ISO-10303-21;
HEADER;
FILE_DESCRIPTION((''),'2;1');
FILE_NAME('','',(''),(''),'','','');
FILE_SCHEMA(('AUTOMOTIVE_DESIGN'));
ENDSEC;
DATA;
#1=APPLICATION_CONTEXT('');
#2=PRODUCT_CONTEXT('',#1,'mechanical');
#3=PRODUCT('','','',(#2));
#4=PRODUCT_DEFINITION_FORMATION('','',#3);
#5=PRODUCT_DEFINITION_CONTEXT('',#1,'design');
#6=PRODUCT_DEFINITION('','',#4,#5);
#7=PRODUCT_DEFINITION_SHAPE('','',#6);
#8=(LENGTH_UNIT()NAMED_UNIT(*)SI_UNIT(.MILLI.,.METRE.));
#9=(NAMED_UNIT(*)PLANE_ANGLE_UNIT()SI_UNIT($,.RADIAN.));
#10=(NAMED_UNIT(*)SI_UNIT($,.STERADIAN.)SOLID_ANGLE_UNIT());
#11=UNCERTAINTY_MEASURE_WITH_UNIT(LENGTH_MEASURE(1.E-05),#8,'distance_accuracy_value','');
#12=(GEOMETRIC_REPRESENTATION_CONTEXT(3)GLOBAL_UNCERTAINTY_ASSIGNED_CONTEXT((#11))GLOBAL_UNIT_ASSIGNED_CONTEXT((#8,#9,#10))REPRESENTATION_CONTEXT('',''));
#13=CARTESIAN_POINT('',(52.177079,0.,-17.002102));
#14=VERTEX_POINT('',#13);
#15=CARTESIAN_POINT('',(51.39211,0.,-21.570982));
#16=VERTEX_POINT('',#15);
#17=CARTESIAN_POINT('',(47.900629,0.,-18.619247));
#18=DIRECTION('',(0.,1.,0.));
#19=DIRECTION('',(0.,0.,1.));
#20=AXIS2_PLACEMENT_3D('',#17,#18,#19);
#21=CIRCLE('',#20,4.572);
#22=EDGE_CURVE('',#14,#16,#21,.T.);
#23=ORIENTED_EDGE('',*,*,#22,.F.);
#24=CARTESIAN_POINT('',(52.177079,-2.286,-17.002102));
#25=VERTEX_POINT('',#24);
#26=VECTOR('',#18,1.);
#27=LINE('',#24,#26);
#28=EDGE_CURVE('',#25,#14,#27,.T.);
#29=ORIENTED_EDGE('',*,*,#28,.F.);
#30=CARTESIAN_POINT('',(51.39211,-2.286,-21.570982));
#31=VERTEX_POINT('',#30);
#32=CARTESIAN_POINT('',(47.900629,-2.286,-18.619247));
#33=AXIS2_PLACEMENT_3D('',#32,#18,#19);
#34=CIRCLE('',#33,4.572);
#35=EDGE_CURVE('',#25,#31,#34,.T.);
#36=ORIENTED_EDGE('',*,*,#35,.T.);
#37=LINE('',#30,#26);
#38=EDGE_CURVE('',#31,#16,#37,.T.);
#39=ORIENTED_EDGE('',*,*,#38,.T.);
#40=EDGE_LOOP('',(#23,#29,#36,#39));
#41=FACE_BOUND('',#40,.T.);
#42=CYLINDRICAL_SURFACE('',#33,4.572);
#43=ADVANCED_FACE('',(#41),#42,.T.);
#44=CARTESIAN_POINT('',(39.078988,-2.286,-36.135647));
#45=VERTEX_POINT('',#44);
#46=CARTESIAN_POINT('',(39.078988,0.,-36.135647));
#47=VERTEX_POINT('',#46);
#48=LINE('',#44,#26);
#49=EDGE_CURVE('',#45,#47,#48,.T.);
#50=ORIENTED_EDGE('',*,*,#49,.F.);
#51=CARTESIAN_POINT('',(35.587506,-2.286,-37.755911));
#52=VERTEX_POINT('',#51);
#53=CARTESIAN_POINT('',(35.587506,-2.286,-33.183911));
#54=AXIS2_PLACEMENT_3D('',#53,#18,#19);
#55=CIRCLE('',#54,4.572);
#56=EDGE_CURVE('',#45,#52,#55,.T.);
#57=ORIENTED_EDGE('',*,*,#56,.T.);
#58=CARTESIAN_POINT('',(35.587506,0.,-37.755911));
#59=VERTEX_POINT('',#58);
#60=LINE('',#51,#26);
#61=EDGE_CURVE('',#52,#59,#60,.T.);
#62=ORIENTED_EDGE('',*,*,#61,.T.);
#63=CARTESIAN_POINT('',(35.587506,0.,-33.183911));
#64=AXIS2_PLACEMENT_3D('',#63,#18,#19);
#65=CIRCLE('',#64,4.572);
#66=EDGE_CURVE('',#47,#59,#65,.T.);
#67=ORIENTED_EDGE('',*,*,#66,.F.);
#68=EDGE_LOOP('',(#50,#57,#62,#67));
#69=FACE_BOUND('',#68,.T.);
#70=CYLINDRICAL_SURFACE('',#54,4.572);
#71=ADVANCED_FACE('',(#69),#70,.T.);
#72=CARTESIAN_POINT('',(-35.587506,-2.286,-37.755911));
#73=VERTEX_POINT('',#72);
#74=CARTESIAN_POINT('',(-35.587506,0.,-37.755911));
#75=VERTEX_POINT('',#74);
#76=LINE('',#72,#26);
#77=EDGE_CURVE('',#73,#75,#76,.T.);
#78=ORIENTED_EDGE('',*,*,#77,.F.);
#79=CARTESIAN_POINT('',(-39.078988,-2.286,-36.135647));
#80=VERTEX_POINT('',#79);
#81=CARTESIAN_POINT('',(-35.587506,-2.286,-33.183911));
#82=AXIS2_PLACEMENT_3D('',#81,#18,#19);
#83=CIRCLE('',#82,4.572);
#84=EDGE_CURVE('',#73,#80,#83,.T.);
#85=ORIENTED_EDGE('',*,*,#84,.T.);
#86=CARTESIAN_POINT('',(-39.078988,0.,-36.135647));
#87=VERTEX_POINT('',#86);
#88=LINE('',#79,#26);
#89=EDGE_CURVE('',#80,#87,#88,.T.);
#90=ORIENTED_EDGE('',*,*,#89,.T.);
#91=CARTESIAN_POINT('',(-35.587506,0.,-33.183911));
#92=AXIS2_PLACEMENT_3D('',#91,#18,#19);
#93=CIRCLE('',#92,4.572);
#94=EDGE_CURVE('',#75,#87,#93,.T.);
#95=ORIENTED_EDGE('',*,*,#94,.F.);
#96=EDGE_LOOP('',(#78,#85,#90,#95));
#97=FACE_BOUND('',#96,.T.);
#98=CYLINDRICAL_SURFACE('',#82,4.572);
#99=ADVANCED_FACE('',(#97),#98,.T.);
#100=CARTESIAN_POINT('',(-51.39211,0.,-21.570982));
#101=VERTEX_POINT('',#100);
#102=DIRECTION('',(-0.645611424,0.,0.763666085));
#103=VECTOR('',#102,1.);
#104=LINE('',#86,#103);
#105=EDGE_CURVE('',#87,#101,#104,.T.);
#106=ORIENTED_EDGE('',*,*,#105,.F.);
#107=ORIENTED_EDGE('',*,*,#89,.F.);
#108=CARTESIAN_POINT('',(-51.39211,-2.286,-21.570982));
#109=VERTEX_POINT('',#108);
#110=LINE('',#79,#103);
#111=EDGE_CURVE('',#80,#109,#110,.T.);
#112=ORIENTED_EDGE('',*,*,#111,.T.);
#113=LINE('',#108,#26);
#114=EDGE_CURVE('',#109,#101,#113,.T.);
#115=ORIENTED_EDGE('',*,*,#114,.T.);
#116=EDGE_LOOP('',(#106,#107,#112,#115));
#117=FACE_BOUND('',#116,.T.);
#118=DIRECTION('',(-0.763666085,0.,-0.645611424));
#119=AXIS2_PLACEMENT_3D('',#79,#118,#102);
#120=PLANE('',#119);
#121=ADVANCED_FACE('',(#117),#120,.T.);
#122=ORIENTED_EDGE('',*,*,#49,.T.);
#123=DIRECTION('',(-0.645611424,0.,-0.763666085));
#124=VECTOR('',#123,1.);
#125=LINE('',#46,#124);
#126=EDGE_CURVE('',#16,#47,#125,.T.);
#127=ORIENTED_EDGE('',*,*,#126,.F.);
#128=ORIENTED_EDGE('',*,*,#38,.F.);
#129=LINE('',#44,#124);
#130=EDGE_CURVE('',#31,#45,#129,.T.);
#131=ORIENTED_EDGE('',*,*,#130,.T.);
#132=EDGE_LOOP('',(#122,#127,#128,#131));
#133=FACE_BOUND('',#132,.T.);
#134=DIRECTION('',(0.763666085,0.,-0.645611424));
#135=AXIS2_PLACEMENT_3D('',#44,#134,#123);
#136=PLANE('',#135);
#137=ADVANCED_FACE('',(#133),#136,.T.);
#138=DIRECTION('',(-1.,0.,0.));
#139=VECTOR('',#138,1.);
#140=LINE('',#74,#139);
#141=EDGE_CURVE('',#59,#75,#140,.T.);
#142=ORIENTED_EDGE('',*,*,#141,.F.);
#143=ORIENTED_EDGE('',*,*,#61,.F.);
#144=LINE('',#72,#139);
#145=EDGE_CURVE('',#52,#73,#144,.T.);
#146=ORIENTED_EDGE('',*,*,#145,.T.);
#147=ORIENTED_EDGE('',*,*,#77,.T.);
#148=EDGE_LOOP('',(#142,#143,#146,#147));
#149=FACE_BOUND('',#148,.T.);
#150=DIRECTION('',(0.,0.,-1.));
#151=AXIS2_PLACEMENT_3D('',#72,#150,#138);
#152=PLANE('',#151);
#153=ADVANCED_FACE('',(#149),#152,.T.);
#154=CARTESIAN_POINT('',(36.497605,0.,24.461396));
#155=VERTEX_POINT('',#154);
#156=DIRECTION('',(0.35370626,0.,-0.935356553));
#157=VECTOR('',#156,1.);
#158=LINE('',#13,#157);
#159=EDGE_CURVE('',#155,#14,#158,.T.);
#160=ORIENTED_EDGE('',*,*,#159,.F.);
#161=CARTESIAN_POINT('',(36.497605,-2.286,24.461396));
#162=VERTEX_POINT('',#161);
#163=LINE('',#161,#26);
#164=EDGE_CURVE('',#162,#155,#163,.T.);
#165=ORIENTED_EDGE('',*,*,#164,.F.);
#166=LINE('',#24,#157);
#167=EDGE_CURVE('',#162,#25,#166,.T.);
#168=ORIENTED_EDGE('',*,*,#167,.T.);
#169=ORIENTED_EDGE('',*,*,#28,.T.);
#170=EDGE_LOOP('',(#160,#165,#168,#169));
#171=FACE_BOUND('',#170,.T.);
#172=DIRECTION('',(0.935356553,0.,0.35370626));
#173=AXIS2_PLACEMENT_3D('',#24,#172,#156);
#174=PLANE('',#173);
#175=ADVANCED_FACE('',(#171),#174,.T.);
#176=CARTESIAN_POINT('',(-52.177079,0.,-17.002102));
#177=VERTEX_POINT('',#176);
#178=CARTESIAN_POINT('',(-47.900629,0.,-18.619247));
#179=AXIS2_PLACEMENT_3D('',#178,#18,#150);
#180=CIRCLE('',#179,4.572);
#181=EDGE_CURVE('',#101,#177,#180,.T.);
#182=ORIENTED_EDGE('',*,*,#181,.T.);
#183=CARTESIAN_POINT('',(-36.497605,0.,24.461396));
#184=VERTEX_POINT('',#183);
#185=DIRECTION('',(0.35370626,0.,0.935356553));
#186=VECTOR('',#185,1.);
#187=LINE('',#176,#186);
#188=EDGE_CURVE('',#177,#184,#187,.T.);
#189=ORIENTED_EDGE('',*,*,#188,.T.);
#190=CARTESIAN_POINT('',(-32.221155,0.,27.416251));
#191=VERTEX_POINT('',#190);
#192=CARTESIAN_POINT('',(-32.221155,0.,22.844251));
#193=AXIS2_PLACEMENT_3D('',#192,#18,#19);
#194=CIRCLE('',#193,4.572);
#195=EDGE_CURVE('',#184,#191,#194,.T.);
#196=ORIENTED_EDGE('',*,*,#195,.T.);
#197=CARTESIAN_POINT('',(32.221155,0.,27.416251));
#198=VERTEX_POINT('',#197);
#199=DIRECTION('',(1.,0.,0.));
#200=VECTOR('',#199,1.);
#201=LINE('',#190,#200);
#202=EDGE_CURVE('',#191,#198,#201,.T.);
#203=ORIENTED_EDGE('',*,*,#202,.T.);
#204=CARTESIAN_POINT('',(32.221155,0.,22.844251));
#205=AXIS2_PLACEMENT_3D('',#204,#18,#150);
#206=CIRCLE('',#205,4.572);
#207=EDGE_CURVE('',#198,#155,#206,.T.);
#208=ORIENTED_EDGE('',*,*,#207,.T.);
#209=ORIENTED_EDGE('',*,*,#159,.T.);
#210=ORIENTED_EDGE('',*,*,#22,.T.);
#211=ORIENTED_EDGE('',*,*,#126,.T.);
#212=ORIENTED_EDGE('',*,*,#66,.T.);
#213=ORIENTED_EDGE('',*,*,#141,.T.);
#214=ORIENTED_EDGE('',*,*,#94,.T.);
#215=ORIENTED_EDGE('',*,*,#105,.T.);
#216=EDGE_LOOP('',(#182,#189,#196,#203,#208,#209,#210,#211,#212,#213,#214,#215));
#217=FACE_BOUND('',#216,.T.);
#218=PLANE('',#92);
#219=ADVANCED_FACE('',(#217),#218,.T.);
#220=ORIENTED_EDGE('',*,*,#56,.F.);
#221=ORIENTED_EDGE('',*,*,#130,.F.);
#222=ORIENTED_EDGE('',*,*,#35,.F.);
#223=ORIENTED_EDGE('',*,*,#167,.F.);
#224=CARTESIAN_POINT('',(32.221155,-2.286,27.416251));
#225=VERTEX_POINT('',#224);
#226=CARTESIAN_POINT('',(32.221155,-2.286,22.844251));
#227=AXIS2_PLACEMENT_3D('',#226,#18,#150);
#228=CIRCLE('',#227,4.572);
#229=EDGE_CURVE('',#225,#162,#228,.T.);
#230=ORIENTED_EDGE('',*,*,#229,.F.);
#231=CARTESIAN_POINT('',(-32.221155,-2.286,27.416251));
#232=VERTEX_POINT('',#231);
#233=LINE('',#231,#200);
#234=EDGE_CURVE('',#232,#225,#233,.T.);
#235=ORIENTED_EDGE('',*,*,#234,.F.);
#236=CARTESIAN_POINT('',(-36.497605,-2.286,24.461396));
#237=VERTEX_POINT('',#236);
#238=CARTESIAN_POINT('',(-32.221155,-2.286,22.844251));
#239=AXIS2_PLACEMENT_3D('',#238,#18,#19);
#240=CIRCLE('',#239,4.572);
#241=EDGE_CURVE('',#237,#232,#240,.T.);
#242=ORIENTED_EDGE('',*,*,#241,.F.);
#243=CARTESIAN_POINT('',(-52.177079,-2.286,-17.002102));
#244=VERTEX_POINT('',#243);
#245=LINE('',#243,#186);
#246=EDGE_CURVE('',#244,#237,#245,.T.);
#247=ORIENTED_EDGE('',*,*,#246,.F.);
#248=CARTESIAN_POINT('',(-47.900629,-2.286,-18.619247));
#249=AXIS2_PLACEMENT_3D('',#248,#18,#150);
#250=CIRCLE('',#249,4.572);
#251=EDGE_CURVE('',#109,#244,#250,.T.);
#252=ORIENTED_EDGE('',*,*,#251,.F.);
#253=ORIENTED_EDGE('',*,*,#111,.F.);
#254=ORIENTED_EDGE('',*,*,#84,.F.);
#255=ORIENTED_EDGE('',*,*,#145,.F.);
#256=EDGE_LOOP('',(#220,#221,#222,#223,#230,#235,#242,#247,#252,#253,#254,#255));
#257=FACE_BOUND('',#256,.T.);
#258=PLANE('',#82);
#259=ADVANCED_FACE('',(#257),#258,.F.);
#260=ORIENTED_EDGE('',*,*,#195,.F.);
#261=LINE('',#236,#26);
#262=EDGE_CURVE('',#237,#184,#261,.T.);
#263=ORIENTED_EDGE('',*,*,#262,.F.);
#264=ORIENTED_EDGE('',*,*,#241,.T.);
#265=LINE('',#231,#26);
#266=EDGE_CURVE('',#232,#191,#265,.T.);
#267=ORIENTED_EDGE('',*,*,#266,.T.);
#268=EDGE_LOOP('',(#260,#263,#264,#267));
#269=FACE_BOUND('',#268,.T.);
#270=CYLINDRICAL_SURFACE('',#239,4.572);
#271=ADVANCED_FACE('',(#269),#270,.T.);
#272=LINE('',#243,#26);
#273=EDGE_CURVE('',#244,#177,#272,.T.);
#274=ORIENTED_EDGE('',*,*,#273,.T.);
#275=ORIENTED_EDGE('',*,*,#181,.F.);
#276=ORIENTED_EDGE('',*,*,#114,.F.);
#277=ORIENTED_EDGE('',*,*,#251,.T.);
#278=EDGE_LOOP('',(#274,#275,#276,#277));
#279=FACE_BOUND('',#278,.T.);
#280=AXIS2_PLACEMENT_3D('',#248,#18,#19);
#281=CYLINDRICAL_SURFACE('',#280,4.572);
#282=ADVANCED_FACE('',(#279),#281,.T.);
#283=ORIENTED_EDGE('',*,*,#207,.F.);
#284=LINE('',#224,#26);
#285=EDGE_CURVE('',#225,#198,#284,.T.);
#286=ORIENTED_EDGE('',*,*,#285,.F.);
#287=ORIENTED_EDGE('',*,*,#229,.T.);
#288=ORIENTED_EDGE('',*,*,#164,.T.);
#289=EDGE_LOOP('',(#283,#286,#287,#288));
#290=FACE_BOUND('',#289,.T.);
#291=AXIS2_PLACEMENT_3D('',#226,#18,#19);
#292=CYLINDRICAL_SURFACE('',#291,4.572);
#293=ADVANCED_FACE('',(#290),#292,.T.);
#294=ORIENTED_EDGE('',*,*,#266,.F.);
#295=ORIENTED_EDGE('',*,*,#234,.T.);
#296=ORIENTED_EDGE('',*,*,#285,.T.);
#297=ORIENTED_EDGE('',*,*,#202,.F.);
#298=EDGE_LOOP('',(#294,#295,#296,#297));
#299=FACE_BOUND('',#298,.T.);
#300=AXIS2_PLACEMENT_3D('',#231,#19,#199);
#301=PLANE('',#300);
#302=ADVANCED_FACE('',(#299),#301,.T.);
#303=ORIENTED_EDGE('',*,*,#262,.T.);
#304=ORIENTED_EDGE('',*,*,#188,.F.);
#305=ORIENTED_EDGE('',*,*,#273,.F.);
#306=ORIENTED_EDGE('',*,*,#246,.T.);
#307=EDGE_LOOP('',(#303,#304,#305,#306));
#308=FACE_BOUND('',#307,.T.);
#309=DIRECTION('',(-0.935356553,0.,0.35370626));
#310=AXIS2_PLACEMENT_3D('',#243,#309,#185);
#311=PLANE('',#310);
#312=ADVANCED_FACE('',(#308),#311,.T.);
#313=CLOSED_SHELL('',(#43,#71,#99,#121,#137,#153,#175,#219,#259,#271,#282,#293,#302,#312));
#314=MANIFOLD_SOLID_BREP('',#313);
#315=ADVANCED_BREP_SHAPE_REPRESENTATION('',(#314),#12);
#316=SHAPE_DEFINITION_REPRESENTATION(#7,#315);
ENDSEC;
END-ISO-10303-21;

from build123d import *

# Parameters (mm, degrees)
EXTRUDE1_DEPTH = 2.286


with BuildPart() as part:
    # Sketch1 → Extrude1 (new body)
    with BuildSketch(Plane(origin=(0, 0, 0), x_dir=(1, 0, 0), z_dir=(0, 1, 0))):
        with BuildLine():
            Line((-35.587506478, 37.75591133), (35.587506478, 37.75591133))
            ThreePointArc((35.587506478, 37.75591133), (37.512064818, 37.331110288), (39.078987817, 36.135646762))
            Line((39.078987817, 36.135646762), (51.39211015, 21.570982059))
            ThreePointArc((51.39211015, 21.570982059), (52.406608959, 19.393408694), (52.177078973, 17.002101608))
            Line((52.177078973, 17.002101608), (36.497605157, -24.461395817))
            ThreePointArc((36.497605157, -24.461395817), (34.820154512, -26.605684768), (32.221154995, -27.416250797))
            Line((32.221154995, -27.416250797), (-32.221154995, -27.416250797))
            ThreePointArc((-32.221154995, -27.416250797), (-34.820154512, -26.605684768), (-36.497605157, -24.461395817))
            Line((-36.497605157, -24.461395817), (-52.177078973, 17.002101608))
            ThreePointArc((-52.177078973, 17.002101608), (-52.406608959, 19.393408694), (-51.39211015, 21.570982059))
            Line((-51.39211015, 21.570982059), (-39.078987817, 36.135646762))
            ThreePointArc((-39.078987817, 36.135646762), (-37.512064818, 37.331110288), (-35.587506478, 37.75591133))
        make_face()
    extrude(amount=-EXTRUDE1_DEPTH)


solid = part.part
